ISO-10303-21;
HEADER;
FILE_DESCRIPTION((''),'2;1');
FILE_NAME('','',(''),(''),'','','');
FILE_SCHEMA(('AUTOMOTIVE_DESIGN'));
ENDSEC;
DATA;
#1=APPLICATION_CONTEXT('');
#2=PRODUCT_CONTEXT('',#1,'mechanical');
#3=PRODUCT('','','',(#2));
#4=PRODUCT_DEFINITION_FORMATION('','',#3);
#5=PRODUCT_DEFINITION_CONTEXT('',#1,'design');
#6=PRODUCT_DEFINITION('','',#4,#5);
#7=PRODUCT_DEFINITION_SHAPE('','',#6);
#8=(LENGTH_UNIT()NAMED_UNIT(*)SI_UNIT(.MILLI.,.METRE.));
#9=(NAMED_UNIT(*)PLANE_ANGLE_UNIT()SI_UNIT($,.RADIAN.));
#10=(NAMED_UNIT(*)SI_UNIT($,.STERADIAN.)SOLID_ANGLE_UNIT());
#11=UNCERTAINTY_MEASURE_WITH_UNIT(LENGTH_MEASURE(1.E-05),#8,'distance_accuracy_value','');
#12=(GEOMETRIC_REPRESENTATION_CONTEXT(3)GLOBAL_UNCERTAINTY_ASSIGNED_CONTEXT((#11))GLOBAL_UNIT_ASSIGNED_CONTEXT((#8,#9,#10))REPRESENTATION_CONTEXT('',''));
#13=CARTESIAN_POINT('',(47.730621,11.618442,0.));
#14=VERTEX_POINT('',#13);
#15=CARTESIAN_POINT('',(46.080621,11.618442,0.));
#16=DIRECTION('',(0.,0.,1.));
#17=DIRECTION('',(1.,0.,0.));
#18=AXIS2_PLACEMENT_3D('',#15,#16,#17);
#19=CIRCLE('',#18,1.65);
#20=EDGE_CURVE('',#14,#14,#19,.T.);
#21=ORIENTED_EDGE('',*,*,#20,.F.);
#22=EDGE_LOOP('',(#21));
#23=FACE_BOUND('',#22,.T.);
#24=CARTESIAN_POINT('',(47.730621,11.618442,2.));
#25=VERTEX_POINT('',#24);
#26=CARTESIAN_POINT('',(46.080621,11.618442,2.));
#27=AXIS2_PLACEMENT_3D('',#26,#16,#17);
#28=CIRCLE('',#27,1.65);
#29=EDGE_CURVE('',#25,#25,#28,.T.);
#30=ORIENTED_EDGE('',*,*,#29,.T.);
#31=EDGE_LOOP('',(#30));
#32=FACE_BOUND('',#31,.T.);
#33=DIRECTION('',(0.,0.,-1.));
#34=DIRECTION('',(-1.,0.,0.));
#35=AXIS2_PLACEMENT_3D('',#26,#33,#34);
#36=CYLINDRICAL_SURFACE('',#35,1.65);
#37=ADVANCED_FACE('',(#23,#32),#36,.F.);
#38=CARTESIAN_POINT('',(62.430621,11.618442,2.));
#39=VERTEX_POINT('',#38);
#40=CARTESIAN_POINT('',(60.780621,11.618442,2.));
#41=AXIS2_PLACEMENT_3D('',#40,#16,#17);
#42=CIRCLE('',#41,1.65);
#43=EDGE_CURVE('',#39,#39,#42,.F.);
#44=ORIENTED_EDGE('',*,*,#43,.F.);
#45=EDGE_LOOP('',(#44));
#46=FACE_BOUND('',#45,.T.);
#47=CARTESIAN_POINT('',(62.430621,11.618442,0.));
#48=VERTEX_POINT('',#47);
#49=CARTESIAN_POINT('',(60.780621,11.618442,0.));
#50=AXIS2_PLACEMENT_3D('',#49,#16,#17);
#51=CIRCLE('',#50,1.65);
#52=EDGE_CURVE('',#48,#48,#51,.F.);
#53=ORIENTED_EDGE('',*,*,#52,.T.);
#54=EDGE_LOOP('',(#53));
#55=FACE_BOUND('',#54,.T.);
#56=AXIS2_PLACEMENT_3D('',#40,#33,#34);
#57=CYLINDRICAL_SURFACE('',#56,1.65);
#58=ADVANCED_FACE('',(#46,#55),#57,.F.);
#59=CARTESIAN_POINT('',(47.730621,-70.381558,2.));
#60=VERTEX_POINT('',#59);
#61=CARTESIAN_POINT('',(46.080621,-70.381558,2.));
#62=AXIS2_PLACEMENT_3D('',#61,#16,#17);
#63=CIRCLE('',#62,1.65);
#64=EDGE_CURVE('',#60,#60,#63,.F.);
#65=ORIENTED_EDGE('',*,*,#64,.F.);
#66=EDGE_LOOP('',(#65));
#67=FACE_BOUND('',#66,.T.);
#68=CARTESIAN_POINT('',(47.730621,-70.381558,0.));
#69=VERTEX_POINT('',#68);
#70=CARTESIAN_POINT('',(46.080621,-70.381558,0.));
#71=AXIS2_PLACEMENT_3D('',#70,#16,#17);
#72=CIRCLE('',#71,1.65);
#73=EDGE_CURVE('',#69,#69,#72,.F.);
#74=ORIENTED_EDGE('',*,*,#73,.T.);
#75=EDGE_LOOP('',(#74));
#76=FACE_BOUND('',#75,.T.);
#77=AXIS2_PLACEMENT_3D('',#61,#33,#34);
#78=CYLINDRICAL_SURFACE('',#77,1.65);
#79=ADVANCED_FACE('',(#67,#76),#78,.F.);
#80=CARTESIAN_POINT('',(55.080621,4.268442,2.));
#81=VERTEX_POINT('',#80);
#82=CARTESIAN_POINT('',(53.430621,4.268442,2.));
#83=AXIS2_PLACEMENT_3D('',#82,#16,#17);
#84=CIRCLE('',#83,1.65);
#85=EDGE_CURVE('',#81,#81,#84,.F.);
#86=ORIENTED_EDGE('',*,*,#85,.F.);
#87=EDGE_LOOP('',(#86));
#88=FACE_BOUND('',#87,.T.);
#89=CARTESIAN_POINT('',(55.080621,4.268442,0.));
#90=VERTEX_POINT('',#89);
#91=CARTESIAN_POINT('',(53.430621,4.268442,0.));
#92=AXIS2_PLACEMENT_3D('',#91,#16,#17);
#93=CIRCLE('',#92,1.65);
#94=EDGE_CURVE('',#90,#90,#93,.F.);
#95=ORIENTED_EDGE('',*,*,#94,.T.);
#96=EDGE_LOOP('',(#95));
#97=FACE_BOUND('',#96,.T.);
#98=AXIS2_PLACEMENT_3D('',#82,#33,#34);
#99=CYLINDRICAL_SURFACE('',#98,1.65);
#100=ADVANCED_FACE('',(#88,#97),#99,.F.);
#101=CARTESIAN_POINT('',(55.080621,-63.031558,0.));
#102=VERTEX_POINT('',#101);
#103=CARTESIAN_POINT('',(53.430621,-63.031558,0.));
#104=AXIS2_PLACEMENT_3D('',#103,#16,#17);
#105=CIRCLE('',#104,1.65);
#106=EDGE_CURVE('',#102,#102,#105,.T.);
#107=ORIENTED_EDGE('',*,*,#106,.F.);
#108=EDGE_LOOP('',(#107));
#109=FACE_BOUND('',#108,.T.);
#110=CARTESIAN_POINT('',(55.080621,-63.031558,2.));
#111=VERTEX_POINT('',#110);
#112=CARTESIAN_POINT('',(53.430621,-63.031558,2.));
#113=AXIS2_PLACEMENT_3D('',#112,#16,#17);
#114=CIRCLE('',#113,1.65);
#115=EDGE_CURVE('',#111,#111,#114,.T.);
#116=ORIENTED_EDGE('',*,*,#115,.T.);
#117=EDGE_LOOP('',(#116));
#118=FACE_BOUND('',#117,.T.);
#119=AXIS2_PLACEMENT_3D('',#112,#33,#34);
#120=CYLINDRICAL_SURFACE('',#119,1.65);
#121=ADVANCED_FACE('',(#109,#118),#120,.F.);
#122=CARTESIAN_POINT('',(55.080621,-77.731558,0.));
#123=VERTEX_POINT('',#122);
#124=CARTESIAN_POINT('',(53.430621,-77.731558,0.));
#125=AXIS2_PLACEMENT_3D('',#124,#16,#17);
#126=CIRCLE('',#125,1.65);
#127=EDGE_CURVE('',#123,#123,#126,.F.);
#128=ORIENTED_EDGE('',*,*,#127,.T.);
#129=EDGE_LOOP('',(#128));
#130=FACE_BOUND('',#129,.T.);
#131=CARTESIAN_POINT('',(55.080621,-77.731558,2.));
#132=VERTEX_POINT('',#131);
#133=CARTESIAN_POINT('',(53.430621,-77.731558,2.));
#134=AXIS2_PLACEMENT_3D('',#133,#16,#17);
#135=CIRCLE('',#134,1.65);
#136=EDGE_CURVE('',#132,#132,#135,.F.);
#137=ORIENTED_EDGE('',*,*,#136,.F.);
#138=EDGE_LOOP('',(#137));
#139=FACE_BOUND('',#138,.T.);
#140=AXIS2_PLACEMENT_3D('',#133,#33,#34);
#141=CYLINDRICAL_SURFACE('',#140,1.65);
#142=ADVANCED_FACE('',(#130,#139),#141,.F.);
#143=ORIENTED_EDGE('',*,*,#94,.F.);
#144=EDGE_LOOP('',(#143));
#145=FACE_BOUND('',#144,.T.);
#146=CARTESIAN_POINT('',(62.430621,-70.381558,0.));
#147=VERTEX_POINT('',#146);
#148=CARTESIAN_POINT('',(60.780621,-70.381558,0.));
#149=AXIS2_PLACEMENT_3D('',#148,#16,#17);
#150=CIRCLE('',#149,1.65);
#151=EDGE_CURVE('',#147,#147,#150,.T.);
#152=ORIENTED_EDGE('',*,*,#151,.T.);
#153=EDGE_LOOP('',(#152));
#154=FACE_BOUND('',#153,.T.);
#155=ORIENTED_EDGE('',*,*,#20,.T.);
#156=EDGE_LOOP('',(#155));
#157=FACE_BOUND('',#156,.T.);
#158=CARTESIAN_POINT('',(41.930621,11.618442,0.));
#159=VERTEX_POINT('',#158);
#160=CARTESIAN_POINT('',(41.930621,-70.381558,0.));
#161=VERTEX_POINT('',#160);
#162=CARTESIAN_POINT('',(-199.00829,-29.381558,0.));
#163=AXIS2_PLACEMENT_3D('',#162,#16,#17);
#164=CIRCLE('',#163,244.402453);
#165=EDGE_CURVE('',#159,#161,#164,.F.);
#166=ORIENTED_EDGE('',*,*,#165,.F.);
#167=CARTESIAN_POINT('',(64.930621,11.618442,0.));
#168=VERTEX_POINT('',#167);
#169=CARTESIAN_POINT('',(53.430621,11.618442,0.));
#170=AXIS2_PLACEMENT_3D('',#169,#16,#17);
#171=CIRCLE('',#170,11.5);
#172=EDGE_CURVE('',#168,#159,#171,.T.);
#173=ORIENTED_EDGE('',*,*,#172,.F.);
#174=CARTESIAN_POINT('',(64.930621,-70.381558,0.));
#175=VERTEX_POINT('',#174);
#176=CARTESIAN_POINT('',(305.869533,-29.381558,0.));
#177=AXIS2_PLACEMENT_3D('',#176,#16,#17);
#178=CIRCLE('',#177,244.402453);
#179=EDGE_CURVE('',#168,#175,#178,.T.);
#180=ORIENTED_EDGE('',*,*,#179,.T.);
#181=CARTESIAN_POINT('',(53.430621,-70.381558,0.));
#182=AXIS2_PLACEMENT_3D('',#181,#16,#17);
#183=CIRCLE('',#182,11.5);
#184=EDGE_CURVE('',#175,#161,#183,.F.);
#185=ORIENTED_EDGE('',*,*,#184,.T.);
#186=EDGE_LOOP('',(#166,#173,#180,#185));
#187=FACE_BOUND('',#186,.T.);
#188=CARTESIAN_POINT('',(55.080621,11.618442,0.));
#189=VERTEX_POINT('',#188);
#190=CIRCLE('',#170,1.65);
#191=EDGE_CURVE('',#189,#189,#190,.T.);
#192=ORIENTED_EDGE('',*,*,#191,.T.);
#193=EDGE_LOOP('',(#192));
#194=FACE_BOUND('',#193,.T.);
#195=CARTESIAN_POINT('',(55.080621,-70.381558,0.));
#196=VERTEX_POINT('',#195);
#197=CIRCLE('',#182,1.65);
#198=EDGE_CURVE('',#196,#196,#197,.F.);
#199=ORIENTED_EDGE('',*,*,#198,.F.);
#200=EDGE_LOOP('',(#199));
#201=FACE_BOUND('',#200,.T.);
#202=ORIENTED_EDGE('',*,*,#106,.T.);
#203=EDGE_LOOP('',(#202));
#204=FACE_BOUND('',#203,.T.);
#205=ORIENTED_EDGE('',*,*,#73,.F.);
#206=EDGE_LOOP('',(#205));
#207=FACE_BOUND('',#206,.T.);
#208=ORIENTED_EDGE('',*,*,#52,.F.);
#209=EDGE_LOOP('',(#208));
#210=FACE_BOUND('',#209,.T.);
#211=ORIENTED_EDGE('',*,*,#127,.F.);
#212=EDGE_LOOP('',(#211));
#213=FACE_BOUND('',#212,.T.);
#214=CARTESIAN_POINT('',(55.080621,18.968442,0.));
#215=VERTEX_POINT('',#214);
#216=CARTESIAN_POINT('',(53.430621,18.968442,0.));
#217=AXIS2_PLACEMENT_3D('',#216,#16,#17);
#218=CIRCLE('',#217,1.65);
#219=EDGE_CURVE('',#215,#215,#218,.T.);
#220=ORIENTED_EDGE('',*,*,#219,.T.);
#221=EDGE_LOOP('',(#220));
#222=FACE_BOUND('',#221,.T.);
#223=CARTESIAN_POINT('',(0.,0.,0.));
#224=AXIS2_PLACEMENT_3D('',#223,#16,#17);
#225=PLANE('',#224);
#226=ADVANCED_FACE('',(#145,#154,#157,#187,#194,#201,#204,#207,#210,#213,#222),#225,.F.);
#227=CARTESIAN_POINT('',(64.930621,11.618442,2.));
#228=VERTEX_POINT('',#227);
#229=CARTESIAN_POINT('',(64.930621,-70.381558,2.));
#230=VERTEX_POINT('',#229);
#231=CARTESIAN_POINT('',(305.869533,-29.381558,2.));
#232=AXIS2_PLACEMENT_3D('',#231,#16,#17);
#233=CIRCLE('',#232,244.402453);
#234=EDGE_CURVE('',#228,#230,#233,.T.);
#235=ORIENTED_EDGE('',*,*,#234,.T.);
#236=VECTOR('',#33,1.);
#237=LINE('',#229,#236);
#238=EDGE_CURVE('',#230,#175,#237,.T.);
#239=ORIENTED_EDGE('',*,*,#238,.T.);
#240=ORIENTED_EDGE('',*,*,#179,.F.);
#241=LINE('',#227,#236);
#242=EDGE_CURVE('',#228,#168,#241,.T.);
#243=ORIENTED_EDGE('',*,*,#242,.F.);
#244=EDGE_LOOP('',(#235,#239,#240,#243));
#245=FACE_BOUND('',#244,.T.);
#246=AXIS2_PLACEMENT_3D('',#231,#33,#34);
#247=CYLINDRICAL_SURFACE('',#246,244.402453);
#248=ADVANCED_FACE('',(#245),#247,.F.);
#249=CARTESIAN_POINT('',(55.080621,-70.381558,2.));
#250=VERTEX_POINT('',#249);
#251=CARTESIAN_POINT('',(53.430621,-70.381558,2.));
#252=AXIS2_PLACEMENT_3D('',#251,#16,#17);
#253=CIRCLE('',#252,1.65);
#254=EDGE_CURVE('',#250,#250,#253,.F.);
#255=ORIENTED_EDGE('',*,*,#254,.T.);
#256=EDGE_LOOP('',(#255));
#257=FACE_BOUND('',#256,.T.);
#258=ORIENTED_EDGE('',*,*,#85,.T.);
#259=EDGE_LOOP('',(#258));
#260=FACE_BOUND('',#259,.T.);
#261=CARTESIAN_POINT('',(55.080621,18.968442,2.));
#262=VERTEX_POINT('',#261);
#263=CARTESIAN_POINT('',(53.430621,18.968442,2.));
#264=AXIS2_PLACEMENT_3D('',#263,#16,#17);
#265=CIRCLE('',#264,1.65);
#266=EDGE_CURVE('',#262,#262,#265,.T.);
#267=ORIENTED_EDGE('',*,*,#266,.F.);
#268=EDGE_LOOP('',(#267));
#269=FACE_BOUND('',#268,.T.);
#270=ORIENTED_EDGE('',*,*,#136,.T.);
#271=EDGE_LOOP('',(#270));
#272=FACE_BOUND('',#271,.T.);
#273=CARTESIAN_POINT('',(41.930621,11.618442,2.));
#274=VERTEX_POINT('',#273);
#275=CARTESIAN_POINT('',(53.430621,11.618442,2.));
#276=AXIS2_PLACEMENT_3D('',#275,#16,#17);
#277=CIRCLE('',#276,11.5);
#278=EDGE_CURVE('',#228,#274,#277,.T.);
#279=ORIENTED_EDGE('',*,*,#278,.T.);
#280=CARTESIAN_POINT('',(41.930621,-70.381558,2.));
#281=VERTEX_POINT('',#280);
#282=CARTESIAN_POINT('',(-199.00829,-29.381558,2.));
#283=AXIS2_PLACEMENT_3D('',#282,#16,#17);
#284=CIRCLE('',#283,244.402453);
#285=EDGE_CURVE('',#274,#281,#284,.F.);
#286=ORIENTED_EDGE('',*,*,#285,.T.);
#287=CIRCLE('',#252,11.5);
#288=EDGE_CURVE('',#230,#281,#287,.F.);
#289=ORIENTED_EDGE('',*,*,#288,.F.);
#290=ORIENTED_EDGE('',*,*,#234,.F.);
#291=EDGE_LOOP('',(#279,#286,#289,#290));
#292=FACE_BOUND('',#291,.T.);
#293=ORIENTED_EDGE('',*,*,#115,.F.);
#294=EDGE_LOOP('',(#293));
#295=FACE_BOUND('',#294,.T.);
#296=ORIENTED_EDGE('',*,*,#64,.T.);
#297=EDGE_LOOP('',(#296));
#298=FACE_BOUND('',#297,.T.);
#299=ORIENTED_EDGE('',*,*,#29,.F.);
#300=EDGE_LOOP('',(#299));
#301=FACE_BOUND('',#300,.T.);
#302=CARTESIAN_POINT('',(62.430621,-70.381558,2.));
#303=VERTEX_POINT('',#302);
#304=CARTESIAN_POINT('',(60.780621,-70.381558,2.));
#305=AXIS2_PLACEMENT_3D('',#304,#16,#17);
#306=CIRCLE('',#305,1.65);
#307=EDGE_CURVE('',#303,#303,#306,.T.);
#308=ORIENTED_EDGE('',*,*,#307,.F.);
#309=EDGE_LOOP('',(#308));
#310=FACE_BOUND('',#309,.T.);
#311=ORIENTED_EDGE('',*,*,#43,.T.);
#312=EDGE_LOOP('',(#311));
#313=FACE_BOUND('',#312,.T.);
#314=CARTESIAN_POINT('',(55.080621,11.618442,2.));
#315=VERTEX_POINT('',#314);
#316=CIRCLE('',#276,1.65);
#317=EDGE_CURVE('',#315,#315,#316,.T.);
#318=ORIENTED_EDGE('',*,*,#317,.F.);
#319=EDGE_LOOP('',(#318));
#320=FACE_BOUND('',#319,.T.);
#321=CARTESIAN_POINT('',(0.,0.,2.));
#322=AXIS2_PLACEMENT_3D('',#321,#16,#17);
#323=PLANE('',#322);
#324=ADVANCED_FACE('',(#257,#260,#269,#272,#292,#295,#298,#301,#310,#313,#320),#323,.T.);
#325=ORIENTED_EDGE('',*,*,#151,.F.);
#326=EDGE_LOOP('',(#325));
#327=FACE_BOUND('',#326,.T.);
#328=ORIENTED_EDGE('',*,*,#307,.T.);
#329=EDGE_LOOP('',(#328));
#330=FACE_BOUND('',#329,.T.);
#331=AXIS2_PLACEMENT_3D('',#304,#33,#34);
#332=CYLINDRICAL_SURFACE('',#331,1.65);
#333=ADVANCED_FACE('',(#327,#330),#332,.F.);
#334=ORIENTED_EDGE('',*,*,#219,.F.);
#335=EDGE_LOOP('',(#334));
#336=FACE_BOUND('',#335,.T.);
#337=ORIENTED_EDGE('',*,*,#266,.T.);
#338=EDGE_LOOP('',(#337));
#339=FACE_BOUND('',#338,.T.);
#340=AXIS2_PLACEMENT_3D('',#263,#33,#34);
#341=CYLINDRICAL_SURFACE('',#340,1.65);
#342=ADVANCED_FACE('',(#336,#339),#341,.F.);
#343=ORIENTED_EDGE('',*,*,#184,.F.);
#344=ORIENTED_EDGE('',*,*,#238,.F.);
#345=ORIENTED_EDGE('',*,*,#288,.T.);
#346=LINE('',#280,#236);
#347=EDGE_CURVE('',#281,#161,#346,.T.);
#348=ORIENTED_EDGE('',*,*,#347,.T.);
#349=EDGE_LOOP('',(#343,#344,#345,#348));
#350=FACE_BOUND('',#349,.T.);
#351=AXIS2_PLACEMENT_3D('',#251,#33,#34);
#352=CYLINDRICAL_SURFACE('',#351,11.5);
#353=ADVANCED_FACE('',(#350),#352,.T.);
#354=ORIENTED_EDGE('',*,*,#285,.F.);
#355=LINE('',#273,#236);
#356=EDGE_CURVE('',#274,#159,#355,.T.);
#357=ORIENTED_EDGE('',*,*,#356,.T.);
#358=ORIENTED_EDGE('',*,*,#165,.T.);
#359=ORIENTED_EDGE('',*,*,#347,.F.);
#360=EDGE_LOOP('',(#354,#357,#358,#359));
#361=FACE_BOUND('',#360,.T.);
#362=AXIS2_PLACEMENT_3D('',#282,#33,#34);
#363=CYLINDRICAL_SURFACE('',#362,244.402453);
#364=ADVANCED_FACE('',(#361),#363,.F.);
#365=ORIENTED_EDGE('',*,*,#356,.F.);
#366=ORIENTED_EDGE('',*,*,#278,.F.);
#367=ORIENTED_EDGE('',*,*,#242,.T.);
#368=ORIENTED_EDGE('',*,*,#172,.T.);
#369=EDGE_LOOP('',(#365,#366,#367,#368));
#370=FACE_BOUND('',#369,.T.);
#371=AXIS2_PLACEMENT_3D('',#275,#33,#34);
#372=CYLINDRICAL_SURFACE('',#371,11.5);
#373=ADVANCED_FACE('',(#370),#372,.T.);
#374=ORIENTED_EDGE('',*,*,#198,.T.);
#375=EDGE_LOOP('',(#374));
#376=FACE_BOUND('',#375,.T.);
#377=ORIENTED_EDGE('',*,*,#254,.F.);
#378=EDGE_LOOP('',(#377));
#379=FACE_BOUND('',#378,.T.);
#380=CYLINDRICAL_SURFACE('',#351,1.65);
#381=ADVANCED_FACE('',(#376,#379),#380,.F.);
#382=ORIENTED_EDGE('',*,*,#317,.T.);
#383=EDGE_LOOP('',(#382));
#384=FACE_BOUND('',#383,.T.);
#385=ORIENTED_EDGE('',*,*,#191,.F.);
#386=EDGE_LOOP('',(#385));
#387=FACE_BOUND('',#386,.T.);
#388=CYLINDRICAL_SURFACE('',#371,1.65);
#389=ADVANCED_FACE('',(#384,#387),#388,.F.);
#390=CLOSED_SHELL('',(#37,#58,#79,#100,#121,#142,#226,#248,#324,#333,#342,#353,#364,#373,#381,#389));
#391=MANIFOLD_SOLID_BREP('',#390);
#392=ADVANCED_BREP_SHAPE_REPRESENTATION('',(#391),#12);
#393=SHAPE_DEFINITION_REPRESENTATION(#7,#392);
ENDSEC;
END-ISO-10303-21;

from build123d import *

# Parameters (mm, degrees)
SKETCH_1_R      = 1.65
EXTRUDE_2_DEPTH = 2


with BuildPart() as part:
    # 草图1 → 凸台-拉伸2 (new body)
    with BuildSketch(Plane.XY):
        with BuildLine():
            ThreePointArc((64.930621202, 11.618442311), (61.467079618, -29.381557689), (64.930621202, -70.381557689))
            ThreePointArc((64.930621202, -70.381557689), (53.430621202, -81.881557689), (41.930621202, -70.381557689))
            ThreePointArc((41.930621202, -70.381557689), (45.394162787, -29.381557689), (41.930621202, 11.618442311))
            ThreePointArc((41.930621202, 11.618442311), (53.430621202, 23.118442311), (64.930621202, 11.618442311))
        make_face()
        with Locations((46.080621202, -70.381557689)):
            Circle(SKETCH_1_R, mode=Mode.SUBTRACT)
        with Locations((53.430621202, 4.268442311)):
            Circle(SKETCH_1_R, mode=Mode.SUBTRACT)
        with Locations((53.430621202, 11.618442311)):
            Circle(SKETCH_1_R, mode=Mode.SUBTRACT)
        with Locations((46.080621202, 11.618442311)):
            Circle(SKETCH_1_R, mode=Mode.SUBTRACT)
        with Locations((53.430621202, 18.968442311)):
            Circle(SKETCH_1_R, mode=Mode.SUBTRACT)
        with Locations((60.780621202, 11.618442311)):
            Circle(SKETCH_1_R, mode=Mode.SUBTRACT)
        with Locations((53.430621202, -70.381557689)):
            Circle(SKETCH_1_R, mode=Mode.SUBTRACT)
        with Locations((53.430621202, -63.031557689)):
            Circle(SKETCH_1_R, mode=Mode.SUBTRACT)
        with Locations((60.780621202, -70.381557689)):
            Circle(SKETCH_1_R, mode=Mode.SUBTRACT)
        with Locations((53.430621202, -77.731557689)):
            Circle(SKETCH_1_R, mode=Mode.SUBTRACT)
    extrude(amount=EXTRUDE_2_DEPTH)


solid = part.part
